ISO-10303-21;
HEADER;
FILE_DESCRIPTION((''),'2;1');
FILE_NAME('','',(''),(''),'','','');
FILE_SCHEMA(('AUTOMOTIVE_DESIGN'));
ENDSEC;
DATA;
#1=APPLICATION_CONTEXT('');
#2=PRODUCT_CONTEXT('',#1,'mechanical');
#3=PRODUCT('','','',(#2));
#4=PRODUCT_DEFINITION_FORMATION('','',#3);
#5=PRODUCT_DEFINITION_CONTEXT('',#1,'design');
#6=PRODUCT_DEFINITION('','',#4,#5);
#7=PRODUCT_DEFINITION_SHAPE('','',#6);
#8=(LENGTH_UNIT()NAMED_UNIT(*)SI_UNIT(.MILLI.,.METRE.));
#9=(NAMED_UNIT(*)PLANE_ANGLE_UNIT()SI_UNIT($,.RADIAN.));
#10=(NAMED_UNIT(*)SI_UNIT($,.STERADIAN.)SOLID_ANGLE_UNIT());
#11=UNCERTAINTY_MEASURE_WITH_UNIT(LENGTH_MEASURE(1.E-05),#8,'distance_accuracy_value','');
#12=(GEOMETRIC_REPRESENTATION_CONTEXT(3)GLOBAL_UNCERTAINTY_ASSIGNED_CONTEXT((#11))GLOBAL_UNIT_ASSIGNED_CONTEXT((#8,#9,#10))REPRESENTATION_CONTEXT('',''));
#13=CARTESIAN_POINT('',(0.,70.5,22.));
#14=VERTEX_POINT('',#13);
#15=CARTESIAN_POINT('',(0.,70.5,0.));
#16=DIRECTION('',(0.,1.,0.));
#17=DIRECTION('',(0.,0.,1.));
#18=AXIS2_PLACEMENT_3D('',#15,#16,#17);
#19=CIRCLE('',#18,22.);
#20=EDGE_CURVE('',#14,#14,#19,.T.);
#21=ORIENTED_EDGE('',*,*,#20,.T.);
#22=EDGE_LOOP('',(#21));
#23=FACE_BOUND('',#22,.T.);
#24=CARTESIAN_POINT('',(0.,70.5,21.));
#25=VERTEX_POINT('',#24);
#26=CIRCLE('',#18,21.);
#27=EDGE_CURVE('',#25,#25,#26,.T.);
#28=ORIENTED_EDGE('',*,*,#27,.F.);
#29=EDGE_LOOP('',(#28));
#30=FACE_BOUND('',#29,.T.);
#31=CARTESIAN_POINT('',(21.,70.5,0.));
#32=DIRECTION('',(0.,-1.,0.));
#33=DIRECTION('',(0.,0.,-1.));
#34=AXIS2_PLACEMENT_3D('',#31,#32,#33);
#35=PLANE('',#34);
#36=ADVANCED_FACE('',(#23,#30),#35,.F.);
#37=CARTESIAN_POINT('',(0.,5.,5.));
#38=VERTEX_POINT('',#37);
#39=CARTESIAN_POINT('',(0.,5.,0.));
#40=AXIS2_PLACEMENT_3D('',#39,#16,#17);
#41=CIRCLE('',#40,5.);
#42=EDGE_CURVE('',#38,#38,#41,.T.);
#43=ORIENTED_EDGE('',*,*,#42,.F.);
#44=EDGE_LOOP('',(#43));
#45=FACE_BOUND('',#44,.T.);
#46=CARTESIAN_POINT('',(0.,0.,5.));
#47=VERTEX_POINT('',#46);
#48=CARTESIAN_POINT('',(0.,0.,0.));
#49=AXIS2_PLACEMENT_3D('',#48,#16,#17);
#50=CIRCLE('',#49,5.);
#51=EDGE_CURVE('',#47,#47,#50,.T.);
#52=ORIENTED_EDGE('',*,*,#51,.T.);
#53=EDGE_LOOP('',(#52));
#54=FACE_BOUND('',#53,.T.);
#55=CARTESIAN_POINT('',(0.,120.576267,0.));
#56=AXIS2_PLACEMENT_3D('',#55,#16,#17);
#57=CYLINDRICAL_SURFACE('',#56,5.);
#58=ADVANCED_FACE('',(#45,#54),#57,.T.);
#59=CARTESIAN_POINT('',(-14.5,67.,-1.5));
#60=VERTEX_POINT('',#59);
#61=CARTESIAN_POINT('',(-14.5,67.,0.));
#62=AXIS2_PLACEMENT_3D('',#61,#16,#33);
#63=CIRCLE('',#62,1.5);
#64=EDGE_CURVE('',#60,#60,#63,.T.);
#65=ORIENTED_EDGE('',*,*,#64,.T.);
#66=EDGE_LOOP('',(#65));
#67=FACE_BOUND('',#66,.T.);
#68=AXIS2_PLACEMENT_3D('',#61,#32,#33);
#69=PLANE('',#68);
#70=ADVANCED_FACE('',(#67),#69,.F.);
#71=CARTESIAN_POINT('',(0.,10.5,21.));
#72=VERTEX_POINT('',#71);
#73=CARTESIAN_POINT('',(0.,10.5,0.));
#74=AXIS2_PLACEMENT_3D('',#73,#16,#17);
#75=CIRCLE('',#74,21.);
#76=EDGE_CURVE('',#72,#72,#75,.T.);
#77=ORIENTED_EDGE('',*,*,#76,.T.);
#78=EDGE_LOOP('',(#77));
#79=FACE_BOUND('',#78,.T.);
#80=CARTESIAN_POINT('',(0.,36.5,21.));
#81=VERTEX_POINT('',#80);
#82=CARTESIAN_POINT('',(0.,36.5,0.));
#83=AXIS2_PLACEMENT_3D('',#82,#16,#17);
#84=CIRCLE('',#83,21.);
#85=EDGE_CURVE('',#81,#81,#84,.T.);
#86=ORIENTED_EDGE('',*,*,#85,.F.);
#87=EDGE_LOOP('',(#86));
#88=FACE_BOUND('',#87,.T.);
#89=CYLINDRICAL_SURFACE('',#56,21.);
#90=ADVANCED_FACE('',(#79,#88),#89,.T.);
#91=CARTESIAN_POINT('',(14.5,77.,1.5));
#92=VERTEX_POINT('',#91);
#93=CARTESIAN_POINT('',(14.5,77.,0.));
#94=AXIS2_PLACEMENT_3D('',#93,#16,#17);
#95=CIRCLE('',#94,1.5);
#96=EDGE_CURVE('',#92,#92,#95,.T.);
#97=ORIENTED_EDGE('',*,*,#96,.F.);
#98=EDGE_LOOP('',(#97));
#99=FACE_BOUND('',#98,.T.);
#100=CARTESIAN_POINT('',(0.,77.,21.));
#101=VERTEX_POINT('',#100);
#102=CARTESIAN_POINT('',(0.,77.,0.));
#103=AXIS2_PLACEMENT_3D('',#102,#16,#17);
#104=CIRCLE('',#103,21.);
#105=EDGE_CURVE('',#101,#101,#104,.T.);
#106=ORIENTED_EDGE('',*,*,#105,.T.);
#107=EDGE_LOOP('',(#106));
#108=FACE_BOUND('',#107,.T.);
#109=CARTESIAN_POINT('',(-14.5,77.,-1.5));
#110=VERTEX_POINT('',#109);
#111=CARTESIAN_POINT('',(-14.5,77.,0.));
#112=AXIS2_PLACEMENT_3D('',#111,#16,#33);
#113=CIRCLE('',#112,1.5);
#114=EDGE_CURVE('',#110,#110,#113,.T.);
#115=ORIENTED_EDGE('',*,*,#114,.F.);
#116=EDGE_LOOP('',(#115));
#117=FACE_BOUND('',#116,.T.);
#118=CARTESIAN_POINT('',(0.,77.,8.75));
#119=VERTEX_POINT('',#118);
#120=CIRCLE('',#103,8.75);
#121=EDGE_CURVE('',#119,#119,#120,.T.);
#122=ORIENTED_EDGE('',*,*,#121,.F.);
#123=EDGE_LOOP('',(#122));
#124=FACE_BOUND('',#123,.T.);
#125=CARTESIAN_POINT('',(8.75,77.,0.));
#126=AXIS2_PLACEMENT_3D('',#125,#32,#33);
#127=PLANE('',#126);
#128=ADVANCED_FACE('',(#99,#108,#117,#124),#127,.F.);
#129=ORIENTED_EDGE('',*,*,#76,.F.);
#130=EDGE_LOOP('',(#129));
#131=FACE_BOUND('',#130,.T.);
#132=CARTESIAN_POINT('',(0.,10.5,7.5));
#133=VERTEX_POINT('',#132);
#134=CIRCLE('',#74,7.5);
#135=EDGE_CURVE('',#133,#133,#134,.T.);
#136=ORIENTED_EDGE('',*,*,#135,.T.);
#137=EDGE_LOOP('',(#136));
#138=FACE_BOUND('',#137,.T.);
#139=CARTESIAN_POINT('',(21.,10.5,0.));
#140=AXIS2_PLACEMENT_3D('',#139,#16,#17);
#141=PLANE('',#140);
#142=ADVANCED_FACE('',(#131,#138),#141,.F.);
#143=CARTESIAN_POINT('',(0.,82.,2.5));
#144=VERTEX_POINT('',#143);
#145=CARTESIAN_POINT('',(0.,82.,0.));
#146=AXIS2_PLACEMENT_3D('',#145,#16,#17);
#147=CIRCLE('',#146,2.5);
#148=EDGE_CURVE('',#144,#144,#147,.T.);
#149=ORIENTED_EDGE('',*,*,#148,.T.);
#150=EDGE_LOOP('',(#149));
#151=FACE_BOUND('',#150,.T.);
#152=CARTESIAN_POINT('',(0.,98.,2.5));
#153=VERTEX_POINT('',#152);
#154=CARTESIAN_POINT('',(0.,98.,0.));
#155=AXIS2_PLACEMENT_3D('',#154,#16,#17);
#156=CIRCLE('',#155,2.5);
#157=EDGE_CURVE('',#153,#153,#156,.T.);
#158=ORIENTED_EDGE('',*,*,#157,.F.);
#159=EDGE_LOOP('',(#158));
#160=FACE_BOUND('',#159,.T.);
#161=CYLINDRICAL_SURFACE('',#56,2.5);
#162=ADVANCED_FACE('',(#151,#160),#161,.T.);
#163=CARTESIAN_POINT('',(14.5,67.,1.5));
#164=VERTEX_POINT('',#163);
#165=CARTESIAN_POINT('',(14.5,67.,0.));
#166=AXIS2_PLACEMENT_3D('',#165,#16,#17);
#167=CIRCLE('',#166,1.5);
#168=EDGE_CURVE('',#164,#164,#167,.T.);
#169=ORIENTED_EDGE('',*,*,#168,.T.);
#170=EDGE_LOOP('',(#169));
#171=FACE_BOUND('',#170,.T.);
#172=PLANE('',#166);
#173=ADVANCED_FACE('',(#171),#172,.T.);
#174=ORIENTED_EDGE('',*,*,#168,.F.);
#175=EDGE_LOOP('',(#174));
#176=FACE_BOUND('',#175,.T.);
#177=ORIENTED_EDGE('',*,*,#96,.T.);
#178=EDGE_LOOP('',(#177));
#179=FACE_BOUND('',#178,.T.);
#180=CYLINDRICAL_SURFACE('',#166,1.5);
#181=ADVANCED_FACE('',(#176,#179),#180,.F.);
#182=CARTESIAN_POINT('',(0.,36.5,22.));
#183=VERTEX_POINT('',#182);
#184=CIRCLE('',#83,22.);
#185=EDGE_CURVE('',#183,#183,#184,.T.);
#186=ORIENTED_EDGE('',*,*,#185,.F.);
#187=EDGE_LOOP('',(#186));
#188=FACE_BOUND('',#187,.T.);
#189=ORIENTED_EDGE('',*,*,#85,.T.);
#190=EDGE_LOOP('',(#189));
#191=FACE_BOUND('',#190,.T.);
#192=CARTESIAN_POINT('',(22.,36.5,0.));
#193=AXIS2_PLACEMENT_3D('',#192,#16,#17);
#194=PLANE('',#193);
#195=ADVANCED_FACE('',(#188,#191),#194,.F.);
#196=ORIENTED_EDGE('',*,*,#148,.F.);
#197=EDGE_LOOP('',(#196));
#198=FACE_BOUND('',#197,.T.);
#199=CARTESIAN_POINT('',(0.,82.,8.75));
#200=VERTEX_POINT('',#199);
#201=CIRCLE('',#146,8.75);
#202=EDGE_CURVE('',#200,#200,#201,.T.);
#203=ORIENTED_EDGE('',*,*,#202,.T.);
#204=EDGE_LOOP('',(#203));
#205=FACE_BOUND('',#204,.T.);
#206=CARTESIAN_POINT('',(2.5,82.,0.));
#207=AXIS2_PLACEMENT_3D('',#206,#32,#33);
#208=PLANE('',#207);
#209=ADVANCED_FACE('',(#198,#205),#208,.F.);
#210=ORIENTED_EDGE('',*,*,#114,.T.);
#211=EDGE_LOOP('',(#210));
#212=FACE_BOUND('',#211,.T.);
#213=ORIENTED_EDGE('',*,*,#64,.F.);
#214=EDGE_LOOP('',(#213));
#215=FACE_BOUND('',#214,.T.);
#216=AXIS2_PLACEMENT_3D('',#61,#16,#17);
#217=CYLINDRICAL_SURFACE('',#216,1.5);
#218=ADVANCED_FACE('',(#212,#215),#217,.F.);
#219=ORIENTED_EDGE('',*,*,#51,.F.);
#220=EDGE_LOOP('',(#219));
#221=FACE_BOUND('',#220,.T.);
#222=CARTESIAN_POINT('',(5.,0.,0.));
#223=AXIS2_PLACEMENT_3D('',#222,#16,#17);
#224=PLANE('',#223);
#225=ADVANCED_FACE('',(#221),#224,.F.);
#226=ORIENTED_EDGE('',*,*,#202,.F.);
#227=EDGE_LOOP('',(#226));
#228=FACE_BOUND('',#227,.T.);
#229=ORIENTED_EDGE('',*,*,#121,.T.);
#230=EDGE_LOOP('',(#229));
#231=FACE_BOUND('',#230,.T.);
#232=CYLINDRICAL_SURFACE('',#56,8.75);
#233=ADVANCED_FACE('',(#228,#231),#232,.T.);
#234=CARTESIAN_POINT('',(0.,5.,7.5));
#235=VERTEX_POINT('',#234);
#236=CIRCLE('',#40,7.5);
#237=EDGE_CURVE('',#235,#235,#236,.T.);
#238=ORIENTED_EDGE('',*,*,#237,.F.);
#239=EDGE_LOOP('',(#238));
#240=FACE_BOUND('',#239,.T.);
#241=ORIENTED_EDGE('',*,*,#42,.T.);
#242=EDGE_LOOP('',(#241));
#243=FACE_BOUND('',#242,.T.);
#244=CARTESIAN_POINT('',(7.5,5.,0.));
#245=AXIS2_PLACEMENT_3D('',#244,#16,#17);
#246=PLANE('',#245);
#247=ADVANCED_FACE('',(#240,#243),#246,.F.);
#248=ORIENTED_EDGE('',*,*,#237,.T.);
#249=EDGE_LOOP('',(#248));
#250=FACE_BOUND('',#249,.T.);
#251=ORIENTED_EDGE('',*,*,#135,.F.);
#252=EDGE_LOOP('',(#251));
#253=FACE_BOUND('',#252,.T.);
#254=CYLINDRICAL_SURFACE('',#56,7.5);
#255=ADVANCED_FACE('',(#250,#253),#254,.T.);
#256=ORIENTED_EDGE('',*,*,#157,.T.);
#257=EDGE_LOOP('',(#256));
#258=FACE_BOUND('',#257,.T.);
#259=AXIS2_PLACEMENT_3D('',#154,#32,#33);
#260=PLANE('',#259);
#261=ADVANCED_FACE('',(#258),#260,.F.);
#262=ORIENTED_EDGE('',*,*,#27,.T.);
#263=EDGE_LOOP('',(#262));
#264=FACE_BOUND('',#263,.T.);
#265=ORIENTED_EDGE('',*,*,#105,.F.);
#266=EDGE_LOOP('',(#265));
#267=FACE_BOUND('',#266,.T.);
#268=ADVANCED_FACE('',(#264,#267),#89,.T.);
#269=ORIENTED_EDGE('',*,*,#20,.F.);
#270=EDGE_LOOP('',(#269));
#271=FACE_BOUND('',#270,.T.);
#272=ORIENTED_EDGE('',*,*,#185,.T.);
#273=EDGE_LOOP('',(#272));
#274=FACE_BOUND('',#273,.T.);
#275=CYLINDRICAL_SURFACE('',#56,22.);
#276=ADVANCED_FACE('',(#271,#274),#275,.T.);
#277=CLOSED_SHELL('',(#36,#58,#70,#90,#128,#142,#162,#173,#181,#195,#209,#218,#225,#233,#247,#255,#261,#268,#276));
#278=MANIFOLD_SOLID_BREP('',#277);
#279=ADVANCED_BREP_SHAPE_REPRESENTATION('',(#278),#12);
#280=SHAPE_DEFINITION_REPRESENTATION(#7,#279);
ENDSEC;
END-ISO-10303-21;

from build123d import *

# Parameters (mm, degrees)
SKETCH_2_R          = 1.5
CUT_EXTRUDE_1_DEPTH = 10


with BuildPart() as part:
    # 草图1 → 旋转1 (revolve)
    with BuildSketch(Plane.XY, mode=Mode.PRIVATE) as revolve_1_sk:
        Polygon((0, 98), (2.5, 98), (2.5, 82), (8.75, 82), (8.75, 77), (21, 77), (21, 70.5), (22, 70.5), (22, 36.5), (21, 36.5), (21, 10.5), (7.5, 10.5), (7.5, 5), (5, 5), (5, 0), (0, 0), align=None)
    revolve(revolve_1_sk.sketch.rotate(Axis((0, 120.576266676, 0), (0, -1, 0)), 90), axis=Axis((0, 120.576266676, 0), (0, -1, 0)))

    # 草图2 → 切除-拉伸1 (cut)
    with BuildSketch(Plane(origin=(0, 77, 0), x_dir=(1, 0, 0), z_dir=(0, 1, 0))):
        with Locations(Location((14.5, 0, 0), (0, 0, 270))):
            Circle(SKETCH_2_R)
        with Locations(Location((-14.5, 0, 0), (0, 0, 90))):
            Circle(SKETCH_2_R)
    extrude(amount=-CUT_EXTRUDE_1_DEPTH, mode=Mode.SUBTRACT)


solid = part.part
